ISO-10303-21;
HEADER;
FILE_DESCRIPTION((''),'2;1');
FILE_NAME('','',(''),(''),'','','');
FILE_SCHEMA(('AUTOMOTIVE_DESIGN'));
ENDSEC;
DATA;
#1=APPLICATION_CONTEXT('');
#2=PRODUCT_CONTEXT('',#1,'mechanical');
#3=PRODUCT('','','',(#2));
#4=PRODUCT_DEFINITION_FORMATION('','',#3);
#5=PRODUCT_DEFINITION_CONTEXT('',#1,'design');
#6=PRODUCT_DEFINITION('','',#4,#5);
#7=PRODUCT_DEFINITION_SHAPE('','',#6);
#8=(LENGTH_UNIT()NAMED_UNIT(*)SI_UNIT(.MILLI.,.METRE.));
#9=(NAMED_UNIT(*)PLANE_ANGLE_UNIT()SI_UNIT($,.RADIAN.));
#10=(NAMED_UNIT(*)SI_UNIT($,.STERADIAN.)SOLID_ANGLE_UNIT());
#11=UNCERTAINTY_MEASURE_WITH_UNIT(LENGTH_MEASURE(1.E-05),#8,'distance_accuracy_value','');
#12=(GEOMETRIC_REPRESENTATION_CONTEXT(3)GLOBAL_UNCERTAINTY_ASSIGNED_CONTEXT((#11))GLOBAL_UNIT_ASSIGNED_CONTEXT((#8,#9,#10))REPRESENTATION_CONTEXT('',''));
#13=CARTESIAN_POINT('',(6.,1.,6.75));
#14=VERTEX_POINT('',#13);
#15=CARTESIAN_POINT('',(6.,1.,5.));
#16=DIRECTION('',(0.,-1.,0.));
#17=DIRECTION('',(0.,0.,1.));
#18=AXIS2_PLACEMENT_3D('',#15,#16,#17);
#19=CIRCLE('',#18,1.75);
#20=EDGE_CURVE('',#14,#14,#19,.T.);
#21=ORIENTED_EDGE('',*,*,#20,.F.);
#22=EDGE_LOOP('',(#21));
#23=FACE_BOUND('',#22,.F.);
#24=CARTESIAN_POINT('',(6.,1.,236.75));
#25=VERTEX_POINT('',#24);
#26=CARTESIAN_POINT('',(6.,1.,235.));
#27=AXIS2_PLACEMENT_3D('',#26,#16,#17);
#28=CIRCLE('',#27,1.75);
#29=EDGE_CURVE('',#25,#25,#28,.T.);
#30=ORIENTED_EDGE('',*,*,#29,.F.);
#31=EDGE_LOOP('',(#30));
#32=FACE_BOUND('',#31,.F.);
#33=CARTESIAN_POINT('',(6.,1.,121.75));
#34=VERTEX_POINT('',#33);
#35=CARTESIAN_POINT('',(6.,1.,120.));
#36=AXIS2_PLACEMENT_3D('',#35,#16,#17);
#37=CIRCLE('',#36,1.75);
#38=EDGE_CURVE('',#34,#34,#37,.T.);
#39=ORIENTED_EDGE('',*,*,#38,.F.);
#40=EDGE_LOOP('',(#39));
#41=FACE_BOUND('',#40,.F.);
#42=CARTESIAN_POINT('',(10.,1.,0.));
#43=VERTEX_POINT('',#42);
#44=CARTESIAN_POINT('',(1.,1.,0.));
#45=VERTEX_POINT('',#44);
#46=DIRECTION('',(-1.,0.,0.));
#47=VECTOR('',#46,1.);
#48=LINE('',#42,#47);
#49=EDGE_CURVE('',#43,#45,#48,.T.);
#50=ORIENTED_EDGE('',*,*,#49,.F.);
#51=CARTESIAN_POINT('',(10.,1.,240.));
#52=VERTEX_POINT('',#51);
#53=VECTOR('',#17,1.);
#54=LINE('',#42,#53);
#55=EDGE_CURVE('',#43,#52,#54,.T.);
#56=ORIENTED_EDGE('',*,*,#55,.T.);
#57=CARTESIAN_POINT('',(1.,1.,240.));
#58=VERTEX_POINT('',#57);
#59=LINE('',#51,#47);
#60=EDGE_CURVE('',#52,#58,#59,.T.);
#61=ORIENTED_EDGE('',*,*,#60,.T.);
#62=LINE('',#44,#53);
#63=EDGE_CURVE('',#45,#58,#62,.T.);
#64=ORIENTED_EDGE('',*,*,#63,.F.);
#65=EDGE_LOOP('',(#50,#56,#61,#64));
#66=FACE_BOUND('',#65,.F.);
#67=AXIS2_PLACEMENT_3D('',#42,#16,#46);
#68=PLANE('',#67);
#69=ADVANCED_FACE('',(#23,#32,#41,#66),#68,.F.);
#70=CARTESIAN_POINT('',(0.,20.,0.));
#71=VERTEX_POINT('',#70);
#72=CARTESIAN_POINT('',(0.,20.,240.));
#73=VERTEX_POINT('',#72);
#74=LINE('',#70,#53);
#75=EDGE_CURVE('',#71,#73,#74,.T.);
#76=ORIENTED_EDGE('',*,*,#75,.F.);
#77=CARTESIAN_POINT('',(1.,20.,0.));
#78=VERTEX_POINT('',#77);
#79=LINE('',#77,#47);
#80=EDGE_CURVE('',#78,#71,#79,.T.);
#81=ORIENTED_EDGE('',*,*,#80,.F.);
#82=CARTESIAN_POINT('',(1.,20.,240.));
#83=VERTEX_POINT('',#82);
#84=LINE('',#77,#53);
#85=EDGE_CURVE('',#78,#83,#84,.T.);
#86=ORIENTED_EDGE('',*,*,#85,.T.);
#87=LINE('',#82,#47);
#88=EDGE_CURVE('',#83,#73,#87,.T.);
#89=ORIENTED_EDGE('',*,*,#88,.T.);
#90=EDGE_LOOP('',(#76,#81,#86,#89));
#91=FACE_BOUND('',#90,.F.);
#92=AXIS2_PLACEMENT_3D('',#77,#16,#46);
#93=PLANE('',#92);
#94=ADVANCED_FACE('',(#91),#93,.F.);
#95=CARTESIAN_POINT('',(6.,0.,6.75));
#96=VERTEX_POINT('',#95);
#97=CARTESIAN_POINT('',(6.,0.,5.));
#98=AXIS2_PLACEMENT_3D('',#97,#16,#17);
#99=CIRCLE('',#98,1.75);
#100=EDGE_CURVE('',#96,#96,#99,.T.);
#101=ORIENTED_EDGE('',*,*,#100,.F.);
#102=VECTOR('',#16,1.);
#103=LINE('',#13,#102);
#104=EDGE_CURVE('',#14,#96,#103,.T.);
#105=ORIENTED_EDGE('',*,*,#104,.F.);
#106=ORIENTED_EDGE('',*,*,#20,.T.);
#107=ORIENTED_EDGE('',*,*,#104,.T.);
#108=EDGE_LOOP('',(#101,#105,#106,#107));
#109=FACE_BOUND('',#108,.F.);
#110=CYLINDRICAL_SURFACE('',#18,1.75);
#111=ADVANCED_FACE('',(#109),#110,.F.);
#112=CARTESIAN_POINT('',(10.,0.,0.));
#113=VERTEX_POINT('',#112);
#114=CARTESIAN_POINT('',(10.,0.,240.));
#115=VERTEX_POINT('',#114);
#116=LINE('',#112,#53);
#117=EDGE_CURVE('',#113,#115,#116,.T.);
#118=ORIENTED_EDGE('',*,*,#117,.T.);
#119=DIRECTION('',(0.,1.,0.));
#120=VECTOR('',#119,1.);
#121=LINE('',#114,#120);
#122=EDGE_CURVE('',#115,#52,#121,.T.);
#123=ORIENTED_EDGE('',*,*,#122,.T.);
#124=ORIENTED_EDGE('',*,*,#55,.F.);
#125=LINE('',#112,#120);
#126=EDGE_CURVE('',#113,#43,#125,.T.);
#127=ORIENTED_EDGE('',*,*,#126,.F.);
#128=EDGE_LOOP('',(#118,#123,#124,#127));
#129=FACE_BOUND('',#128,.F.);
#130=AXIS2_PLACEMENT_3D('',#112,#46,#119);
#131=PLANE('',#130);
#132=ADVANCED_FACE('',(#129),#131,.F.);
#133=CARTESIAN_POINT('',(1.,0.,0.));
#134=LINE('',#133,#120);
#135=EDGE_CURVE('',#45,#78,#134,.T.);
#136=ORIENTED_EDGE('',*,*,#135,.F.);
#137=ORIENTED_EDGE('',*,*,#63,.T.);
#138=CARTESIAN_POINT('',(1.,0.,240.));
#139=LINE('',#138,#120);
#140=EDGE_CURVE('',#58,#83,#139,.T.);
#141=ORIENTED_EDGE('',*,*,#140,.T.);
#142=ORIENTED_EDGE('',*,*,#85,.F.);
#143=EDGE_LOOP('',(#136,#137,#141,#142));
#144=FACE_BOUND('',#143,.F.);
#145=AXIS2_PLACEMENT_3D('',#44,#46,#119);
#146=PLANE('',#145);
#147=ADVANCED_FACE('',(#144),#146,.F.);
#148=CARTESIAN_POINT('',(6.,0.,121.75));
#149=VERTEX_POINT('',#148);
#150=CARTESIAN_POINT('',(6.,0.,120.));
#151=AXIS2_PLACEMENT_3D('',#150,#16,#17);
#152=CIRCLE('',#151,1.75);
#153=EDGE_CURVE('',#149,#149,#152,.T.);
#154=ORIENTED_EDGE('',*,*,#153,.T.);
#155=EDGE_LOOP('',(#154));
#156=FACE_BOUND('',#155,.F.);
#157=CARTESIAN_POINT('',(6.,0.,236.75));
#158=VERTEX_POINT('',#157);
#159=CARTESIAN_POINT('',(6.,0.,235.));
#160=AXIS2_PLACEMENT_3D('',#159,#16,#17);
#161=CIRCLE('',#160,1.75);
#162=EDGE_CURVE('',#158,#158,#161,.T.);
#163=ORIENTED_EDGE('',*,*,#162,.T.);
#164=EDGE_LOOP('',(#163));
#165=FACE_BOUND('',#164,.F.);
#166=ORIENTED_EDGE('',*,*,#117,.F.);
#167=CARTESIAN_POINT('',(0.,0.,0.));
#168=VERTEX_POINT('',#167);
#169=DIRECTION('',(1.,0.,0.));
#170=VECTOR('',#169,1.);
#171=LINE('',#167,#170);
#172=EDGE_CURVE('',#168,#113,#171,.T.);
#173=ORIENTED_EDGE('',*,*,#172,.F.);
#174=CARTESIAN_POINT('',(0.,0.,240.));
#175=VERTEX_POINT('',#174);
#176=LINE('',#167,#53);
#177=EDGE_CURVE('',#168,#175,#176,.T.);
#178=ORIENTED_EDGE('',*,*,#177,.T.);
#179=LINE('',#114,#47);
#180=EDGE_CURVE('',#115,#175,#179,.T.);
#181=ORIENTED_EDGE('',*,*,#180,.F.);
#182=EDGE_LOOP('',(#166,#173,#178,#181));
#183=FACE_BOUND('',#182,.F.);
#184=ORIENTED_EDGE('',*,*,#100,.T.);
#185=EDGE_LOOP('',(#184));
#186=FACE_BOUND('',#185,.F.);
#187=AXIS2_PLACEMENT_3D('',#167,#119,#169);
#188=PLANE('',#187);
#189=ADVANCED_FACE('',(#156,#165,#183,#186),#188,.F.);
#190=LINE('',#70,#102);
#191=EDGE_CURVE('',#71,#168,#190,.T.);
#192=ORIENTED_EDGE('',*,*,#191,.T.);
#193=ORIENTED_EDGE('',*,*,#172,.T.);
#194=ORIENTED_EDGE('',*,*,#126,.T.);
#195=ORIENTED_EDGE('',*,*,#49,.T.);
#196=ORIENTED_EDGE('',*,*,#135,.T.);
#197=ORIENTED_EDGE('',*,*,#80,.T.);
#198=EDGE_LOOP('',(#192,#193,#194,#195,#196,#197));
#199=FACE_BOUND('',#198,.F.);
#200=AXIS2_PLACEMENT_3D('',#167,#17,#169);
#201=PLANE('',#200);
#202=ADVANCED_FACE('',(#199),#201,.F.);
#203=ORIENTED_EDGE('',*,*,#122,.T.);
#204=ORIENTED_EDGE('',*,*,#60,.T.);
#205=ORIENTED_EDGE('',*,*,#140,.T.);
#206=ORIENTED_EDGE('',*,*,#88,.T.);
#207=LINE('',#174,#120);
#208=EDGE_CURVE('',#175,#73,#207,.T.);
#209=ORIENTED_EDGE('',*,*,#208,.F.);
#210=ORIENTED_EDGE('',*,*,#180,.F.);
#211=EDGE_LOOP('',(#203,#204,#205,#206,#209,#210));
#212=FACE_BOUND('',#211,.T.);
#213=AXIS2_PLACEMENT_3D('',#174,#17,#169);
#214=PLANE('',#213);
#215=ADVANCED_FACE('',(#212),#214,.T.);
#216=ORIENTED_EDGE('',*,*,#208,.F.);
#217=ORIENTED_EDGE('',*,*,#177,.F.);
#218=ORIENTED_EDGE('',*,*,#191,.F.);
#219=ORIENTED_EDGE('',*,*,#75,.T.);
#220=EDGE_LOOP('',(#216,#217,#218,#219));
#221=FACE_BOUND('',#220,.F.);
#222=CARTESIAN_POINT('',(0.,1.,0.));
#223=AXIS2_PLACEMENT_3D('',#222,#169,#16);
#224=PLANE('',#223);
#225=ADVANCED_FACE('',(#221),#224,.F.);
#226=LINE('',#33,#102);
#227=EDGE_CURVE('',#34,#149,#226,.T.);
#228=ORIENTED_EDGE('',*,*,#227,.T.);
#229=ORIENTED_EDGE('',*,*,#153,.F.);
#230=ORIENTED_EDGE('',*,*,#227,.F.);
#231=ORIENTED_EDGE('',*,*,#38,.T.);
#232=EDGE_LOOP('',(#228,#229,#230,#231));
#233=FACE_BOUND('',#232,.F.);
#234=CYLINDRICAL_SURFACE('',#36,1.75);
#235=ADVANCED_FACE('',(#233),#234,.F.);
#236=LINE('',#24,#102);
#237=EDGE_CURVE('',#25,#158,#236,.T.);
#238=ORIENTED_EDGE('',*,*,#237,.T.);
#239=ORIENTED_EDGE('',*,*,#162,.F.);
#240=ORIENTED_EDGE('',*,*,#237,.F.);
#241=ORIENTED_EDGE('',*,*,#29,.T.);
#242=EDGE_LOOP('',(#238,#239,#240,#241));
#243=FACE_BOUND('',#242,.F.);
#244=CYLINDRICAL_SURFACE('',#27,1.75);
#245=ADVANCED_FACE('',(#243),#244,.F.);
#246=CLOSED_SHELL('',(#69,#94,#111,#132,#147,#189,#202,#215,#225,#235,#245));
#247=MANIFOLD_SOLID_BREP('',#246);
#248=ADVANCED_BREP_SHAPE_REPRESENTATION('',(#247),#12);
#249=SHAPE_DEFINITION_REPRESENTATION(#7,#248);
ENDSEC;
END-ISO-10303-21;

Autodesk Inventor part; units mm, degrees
ref_plane "YZ Plane" through (0, 0, 0) normal (1, 0, 0) x (0, 1, 0)
ref_plane "XZ Plane" through (0, 0, 0) normal (0, 1, 0) x (-1, 0, 0)
ref_plane "XY Plane" through (0, 0, 0) normal (0, 0, 1) x (1, 0, 0)
sketch "スケッチ2" plane through (0, 0, 0) normal (0, 0, 1) x (1, 0, 0)
  line L0 (0, 0) -> (10, 0)
  line L1 (10, 0) -> (10, 1)
  line L2 (10, 1) -> (0, 1)
  line L3 (0, 1) -> (0, 0)
  line L4 (0, 0) -> (1, 0)
  line L5 (1, 0) -> (1, 20)
  line L6 (1, 20) -> (0, 20)
  line L7 (0, 20) -> (0, 0)
  point P0 (1, 1)
  dimension "d0" = 10
  dimension "d1" = 1
  dimension "d2" = 1
  dimension "d3" = 20
extrude "押し出し1" add sketch "スケッチ2" along normal blind 240
sketch "スケッチ3" plane through (1, 1, 0) normal (0, 1, 0) x (1, 0, 0)
  line L0 (9, 0) -> (0, 0) projected
  line L1 (0, 0) -> (0, -240) projected
  line L2 (9, 0) -> (9, -240) projected
  line L3 (9, 0) -> (9, -240) projected
  line L4 (9, -240) -> (0, -240) projected
  point P0 (-1, 0)
  point P1 (5, -235)
  point P2 (5, -120)
  point P3 (5, -5)
  point P4 (9, -120)
  dimension "d13" = 5
  dimension "d15" = 4
  dimension "d16" = 0
  dimension "d17" = 4
  dimension "d18" = 5
  dimension "d19" = 4
hole "穴1" at (6, 1, 235) at (6, 1, 120) at (6, 1, 5) direction (0, -1, 0) diameter 3.5 end through all
properties part number "slide_panel_back_stopper"
